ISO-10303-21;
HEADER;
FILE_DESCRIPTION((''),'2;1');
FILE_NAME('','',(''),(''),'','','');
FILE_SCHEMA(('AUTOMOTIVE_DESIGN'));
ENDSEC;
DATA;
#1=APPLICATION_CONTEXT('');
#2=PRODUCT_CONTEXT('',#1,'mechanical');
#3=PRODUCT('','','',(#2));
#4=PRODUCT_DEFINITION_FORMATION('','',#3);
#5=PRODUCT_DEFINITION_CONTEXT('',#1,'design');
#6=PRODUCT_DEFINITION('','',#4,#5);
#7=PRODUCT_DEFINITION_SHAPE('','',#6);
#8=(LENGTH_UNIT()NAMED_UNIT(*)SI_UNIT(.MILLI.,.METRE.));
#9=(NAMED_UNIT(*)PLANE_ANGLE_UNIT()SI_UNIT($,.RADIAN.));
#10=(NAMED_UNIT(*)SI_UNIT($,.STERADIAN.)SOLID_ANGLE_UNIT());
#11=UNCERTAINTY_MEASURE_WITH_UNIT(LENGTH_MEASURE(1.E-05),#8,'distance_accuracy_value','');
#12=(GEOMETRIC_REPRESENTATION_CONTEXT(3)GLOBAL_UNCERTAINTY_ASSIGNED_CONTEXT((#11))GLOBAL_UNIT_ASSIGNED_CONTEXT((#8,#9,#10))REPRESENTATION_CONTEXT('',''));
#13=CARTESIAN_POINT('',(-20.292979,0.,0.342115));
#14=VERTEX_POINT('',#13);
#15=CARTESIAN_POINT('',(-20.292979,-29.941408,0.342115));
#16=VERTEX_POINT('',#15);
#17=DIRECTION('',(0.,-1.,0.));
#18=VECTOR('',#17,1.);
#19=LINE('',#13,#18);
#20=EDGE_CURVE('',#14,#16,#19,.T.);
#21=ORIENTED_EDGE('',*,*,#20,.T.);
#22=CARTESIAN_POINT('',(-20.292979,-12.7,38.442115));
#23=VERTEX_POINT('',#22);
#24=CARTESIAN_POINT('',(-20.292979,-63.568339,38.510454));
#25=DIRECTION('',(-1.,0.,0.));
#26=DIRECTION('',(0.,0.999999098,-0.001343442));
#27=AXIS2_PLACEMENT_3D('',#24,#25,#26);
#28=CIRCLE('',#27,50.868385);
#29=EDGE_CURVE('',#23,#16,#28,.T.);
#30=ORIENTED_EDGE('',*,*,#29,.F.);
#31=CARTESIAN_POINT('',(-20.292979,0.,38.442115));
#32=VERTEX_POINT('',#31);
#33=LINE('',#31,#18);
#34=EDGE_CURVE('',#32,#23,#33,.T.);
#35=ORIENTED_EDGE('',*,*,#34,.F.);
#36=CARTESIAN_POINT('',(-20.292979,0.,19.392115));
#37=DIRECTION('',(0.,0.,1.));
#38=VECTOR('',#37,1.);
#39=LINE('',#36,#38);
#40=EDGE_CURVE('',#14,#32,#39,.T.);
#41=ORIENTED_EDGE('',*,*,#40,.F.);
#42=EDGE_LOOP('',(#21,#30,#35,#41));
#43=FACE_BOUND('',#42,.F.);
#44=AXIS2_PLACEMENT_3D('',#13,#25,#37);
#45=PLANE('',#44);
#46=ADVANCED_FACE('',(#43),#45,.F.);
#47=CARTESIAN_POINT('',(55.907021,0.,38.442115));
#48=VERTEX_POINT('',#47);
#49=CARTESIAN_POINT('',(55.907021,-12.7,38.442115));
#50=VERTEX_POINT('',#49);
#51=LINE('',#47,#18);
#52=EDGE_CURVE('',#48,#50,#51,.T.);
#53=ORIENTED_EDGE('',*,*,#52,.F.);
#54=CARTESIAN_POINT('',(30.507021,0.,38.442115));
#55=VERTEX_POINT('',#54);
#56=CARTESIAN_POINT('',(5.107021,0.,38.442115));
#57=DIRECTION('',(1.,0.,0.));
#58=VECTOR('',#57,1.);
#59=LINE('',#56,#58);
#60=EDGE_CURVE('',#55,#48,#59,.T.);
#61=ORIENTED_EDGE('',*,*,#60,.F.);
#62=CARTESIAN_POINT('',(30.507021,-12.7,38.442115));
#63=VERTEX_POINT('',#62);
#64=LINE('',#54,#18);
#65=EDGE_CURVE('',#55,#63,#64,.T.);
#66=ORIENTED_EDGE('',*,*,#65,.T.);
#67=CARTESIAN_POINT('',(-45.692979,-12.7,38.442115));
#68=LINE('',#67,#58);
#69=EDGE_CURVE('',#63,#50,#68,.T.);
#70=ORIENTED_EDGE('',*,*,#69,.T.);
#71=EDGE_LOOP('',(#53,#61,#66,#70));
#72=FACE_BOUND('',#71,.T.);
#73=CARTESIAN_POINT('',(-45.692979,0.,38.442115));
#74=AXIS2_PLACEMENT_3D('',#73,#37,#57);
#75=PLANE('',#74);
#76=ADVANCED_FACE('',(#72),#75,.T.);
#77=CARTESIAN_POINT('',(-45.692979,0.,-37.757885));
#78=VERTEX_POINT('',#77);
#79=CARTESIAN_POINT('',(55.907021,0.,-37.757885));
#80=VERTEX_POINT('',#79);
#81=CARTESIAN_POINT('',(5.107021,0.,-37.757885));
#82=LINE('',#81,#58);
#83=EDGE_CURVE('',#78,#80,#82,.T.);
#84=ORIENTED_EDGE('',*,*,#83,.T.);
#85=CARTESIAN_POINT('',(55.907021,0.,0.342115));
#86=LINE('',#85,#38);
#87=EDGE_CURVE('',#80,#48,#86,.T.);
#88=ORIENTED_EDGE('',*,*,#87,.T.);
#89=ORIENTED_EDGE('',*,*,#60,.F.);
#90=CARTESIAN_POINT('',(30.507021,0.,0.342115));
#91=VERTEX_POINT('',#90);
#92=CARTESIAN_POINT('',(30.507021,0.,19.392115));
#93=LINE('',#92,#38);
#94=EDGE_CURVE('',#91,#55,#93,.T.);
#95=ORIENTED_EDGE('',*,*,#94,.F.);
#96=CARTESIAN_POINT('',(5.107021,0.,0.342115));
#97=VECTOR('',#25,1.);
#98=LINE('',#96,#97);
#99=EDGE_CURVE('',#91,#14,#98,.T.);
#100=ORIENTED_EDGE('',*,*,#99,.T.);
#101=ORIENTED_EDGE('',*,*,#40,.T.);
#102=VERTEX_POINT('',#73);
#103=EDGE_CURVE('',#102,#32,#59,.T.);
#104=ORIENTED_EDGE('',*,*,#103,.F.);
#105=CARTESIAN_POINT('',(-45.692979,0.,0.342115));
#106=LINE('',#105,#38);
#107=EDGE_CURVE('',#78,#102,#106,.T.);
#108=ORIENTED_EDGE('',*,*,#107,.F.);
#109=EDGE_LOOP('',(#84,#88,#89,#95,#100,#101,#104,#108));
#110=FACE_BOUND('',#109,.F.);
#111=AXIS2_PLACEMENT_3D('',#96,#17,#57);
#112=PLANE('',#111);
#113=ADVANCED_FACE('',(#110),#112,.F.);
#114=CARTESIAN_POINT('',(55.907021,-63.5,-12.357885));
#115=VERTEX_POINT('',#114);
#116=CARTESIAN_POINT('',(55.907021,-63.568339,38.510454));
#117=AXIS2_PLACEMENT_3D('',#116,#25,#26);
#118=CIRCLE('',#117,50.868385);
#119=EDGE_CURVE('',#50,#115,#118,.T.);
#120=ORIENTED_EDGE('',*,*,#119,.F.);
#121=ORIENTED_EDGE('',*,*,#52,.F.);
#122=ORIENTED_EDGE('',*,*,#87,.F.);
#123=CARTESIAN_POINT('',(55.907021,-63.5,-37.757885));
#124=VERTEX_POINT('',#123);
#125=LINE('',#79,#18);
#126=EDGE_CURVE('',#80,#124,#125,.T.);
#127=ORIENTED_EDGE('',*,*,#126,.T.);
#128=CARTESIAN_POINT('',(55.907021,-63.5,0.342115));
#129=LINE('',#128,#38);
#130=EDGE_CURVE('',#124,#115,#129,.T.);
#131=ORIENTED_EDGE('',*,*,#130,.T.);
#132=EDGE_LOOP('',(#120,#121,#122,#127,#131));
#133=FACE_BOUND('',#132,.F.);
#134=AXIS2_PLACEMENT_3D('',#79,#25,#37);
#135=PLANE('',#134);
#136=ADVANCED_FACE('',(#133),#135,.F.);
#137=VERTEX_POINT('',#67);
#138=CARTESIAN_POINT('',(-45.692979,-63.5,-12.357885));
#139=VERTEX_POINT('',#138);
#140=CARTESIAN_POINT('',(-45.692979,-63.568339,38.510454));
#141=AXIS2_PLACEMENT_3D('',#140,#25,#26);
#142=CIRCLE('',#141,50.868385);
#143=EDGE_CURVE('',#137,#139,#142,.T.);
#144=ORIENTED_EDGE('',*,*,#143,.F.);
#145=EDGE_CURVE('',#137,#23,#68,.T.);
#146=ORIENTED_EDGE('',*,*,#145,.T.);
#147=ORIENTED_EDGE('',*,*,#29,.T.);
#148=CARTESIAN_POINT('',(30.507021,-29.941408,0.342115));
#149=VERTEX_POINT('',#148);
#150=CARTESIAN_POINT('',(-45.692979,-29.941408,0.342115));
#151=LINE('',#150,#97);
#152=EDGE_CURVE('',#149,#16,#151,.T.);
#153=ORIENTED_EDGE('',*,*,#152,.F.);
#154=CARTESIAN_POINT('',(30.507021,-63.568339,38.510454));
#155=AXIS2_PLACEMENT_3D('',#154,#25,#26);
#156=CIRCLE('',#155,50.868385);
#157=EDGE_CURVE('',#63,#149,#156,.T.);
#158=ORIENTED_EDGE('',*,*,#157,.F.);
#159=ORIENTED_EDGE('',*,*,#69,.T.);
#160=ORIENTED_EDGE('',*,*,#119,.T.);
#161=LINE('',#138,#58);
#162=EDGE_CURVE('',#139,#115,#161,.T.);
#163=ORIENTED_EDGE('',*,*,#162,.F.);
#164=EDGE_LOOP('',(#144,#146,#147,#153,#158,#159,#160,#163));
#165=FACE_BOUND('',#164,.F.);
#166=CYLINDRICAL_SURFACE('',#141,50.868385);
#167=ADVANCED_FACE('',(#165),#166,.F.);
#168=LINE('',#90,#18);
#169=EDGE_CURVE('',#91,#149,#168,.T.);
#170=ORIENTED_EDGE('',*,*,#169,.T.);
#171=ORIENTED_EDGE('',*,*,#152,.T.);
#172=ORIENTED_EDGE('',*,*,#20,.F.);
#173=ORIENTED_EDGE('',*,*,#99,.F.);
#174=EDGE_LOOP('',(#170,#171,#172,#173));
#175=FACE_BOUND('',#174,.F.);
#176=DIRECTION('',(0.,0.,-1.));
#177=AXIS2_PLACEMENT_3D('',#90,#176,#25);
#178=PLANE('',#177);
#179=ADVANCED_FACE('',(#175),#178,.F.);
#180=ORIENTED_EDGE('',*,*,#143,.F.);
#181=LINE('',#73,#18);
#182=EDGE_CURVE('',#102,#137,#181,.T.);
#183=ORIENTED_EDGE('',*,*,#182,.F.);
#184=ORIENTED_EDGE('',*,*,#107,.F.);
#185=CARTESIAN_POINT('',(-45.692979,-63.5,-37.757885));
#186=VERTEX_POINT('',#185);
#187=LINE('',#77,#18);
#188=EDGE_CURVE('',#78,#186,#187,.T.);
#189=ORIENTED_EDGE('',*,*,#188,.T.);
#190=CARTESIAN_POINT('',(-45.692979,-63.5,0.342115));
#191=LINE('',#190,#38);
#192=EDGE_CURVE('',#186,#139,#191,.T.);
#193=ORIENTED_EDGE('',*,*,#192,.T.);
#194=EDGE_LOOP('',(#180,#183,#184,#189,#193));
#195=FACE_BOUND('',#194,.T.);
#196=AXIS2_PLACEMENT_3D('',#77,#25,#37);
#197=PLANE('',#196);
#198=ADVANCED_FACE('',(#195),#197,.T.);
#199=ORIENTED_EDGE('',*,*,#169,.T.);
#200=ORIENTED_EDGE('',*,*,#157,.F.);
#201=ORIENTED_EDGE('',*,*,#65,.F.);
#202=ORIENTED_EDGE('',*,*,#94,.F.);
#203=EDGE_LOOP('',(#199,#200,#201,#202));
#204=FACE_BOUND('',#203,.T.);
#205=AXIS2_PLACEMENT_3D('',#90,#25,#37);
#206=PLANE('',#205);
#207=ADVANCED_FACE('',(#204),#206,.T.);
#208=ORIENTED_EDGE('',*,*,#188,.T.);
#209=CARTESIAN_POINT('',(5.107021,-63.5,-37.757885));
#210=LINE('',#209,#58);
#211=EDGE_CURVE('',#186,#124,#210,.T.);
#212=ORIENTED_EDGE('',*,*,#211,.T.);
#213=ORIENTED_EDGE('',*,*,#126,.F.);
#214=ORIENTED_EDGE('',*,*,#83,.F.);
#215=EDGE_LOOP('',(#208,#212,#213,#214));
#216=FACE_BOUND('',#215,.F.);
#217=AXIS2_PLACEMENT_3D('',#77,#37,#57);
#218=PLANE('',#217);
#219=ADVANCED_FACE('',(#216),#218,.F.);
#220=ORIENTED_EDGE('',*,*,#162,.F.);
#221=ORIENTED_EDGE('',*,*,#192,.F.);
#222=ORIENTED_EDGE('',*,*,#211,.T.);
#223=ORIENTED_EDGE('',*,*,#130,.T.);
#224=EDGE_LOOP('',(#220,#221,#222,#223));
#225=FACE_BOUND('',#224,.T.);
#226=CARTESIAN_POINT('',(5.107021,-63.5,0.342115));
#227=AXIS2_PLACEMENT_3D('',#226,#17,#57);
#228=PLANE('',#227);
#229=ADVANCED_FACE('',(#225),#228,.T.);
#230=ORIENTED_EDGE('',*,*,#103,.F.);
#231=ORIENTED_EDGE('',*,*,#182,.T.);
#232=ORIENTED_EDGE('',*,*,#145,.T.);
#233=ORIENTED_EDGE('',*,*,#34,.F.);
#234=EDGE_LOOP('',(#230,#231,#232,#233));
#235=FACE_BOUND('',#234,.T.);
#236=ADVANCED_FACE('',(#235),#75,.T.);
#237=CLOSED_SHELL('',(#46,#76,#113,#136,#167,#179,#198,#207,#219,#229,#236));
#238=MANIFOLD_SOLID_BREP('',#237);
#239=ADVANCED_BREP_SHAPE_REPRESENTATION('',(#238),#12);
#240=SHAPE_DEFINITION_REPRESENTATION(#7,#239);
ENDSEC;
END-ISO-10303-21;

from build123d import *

# Parameters (mm, degrees)
F0_W     = 101.6
F0_H     = 76.2
F1_DEPTH = 63.5
F3_DEPTH = 127
F4_W     = 50.8
F4_H     = 38.1
F5_DEPTH = 57.15


with BuildPart() as f1:
    # F0 (on Front) → F1 (new body)
    with BuildSketch(Plane.XZ):
        with Locations((5.107021, 0.342115)):
            Rectangle(F0_W, F0_H)
    extrude(amount=F1_DEPTH)

    # F2 (on face) → F3 (cut)
    with BuildSketch(Plane(origin=(-45.692979, 0, 0), x_dir=(0, -1, 0), z_dir=(-1, 0, 0))):
        with BuildLine():
            ThreePointArc((12.7, 38.442115), (27.598959, 2.541074), (63.5, -12.357885))
            Line((63.5, -12.357885), (63.5, 38.442115))
            Line((63.5, 38.442115), (12.7, 38.442115))
        make_face()
    extrude(amount=-F3_DEPTH, mode=Mode.SUBTRACT)

    # F4 (on face) → F5 (cut)
    with BuildSketch(Plane(origin=(0, 0, 0), x_dir=(-1, 0, 0), z_dir=(0, 1, 0))):
        with Locations((-5.107021, 19.392115)):
            Rectangle(F4_W, F4_H)
    extrude(amount=-F5_DEPTH, mode=Mode.SUBTRACT)


solid = f1.part
